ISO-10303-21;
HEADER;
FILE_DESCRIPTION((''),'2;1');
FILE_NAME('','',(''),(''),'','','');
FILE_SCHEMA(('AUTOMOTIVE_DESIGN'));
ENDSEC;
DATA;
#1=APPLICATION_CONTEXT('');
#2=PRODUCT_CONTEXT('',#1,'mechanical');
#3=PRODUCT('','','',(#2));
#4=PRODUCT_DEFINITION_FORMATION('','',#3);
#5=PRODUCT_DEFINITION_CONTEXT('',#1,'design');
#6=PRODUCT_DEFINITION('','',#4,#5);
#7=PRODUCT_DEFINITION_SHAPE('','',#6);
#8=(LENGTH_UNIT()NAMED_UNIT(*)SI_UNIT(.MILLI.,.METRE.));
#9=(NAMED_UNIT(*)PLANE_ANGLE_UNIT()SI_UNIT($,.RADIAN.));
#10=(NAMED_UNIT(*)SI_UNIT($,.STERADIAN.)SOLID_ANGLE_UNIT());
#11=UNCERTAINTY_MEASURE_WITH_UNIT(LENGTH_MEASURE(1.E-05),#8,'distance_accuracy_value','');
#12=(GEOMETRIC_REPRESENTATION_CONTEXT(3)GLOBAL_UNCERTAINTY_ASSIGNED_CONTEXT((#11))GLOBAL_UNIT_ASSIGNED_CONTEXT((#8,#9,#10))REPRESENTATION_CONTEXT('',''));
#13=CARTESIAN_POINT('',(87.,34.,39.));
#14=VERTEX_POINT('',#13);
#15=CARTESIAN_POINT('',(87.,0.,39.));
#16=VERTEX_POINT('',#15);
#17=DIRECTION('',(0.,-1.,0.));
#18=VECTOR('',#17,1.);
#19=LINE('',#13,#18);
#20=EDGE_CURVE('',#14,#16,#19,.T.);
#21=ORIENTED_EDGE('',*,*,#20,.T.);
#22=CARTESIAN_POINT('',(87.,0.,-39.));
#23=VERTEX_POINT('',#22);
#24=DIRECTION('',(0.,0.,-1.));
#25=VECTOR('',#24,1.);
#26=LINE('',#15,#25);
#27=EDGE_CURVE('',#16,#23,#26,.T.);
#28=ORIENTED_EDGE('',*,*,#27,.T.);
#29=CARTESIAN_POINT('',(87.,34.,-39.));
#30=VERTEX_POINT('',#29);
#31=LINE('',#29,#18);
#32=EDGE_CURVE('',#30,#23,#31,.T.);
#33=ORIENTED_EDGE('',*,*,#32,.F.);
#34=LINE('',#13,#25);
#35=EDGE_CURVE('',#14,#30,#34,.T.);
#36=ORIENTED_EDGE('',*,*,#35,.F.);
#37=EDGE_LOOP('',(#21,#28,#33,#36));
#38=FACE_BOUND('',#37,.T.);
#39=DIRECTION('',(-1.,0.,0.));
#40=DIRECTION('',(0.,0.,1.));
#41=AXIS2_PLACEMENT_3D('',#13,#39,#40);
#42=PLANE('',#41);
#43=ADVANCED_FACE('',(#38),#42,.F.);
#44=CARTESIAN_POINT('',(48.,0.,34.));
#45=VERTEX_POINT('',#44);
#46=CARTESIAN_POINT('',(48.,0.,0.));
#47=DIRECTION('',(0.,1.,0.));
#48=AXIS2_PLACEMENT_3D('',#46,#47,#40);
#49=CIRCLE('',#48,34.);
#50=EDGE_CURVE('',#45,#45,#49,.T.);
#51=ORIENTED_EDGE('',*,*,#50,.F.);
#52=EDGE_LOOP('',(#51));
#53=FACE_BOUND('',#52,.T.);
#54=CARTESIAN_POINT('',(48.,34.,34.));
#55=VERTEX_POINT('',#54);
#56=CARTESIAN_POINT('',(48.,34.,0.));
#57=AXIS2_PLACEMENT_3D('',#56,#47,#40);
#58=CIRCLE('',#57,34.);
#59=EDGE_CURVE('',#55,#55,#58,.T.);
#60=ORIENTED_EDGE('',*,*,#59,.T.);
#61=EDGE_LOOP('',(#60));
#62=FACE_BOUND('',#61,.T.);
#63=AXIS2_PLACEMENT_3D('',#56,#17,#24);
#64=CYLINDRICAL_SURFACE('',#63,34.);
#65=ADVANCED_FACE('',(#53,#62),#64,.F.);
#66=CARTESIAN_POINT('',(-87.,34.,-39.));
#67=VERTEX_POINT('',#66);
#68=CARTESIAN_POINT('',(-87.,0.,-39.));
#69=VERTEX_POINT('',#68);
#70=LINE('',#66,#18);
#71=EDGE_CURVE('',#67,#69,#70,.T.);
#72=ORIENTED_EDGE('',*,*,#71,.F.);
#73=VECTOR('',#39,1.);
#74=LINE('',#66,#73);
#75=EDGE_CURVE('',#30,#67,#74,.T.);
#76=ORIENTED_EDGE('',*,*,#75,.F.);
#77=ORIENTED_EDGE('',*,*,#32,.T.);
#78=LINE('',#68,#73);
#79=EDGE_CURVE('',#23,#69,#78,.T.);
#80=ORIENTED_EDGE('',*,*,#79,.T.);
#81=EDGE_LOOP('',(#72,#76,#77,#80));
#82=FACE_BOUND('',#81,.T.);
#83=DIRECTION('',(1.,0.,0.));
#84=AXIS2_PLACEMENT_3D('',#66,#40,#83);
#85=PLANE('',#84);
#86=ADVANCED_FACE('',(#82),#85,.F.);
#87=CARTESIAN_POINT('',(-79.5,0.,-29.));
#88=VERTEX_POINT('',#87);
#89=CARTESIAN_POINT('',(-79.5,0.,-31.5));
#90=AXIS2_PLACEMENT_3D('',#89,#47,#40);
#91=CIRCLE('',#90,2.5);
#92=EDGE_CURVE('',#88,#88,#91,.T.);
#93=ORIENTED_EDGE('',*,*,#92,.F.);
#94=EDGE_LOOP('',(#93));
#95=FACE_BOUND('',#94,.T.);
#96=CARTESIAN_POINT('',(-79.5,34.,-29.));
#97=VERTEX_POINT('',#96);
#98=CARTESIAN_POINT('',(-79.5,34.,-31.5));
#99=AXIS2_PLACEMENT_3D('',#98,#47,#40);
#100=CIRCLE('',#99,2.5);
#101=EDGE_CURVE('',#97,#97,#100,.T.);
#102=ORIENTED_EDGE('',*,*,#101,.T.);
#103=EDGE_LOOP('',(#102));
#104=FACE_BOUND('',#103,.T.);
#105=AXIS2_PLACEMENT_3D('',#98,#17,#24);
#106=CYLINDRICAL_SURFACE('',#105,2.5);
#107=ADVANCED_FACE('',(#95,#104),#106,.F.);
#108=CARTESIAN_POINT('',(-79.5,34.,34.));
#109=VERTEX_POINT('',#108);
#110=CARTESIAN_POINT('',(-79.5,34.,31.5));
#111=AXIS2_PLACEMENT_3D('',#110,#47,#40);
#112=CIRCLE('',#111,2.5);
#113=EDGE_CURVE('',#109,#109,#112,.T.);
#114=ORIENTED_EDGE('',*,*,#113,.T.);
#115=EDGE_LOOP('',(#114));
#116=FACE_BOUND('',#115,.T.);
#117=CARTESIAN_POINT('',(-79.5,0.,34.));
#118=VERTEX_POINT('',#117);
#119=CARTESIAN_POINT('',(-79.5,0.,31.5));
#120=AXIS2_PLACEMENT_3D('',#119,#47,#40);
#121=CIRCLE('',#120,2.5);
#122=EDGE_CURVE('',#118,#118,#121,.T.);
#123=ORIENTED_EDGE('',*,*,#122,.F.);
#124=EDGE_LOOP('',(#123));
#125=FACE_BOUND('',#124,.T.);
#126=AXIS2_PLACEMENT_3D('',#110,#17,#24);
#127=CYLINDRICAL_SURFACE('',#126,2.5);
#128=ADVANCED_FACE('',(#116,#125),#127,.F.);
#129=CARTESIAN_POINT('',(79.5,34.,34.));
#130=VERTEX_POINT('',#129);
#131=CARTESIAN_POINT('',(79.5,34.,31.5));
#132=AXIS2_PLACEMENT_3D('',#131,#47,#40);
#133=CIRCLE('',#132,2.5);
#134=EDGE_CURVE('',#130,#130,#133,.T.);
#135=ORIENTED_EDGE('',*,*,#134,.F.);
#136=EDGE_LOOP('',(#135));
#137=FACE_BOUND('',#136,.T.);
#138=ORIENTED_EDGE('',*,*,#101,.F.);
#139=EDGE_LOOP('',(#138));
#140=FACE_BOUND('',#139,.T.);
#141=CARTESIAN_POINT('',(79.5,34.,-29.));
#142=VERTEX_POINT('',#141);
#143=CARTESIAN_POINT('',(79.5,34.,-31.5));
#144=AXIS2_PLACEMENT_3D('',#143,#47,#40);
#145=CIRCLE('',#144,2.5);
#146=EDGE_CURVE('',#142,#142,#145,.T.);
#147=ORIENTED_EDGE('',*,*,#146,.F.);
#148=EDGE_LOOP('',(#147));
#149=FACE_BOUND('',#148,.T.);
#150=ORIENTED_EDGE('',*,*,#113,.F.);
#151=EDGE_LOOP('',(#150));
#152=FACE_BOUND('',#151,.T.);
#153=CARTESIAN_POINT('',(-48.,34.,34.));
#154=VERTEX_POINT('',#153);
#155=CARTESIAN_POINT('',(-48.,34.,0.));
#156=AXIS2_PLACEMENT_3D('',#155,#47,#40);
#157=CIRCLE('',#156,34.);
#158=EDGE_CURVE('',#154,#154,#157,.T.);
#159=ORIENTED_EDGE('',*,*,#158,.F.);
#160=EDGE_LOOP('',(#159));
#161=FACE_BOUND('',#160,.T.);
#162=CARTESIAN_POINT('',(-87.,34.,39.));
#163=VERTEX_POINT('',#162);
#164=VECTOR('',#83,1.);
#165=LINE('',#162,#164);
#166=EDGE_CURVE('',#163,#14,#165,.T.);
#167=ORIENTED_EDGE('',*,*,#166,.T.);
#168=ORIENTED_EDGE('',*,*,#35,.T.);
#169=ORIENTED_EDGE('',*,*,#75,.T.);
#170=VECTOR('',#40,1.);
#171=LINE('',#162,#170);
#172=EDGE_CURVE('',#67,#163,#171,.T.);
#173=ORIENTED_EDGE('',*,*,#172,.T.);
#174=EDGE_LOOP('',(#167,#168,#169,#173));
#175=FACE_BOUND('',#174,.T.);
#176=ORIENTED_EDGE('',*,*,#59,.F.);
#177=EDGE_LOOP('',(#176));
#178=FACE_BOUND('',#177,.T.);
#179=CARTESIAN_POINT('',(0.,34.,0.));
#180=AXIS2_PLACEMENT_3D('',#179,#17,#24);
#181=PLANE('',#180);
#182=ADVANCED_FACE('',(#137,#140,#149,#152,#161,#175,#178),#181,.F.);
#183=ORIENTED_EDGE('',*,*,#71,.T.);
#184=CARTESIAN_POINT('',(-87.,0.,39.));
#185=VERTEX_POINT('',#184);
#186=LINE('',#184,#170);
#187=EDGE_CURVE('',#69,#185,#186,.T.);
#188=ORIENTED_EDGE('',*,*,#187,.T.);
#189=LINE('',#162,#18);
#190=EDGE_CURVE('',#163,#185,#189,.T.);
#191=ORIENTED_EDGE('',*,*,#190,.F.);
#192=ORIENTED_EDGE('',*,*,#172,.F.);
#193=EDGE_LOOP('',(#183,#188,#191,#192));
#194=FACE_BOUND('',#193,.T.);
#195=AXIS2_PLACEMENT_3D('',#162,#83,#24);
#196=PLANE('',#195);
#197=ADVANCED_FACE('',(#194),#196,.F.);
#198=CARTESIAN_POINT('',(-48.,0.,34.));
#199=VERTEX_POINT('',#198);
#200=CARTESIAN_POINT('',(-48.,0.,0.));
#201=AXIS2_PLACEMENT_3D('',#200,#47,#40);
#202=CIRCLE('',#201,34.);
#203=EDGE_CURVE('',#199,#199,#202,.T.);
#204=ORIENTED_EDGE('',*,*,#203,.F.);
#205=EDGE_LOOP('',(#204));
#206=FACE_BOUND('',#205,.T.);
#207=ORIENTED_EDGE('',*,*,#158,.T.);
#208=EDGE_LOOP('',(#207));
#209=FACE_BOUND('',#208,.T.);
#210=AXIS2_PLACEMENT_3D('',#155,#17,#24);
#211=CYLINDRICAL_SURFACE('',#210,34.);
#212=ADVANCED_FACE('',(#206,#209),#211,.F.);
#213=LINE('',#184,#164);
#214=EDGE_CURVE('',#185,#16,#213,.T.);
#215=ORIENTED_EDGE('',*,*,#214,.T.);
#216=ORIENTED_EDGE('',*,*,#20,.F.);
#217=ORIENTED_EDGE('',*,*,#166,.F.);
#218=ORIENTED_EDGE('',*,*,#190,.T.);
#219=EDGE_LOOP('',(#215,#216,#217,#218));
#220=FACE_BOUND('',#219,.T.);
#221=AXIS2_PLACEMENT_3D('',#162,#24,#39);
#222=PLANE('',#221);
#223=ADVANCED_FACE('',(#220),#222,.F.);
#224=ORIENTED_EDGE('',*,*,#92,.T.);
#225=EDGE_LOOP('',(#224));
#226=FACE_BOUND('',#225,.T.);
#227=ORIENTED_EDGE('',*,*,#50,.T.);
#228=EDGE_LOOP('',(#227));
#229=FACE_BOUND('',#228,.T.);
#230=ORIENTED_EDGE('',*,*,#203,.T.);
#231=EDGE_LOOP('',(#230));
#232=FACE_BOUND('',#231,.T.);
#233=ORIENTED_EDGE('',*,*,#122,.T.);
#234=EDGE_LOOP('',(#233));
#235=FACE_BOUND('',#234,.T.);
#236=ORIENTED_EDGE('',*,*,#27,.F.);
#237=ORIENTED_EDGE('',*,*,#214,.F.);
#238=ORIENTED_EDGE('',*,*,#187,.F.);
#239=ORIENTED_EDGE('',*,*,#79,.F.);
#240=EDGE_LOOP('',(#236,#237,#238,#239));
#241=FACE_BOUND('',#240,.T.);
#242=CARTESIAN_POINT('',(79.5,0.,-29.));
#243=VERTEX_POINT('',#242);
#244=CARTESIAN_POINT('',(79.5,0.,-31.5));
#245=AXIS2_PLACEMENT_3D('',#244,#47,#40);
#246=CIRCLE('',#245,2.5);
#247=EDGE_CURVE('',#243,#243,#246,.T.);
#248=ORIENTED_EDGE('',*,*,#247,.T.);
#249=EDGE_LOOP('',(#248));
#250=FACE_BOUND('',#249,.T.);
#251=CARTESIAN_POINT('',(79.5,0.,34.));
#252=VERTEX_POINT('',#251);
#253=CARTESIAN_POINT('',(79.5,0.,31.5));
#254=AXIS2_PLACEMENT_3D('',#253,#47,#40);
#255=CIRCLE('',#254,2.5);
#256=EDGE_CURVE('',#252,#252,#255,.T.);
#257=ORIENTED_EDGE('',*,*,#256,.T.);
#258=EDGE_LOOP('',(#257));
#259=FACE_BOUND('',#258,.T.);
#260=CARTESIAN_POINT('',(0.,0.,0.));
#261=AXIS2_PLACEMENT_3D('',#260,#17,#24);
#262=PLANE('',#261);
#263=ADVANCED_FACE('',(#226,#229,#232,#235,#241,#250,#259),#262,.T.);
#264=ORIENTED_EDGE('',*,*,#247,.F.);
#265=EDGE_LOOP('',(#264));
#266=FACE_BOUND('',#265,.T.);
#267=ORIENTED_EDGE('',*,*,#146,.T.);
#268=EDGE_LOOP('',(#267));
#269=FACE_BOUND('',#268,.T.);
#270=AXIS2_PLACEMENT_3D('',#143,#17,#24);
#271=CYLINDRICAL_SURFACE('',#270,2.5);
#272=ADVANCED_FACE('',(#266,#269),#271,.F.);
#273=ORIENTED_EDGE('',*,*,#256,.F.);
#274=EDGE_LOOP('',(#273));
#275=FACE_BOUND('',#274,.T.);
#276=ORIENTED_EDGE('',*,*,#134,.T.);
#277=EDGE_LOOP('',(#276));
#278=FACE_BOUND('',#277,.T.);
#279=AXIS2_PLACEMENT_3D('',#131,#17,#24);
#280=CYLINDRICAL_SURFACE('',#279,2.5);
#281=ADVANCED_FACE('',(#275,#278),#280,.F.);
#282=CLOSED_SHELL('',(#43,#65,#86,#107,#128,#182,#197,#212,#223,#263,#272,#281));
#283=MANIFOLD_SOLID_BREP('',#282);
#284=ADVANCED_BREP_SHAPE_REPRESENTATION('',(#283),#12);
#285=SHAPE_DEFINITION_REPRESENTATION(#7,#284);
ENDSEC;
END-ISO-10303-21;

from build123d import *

# Parameters (mm, degrees)
SKETCH1_W           = 174
SKETCH1_H           = 78
SKETCH1_R           = 34
SKETCH1_R_2         = 2.5
BOSS_EXTRUDE1_DEPTH = 34


with BuildPart() as part:
    # Sketch1 → Boss-Extrude1 (new body)
    with BuildSketch(Plane(origin=(0, 0, 0), x_dir=(1, 0, 0), z_dir=(0, 1, 0))):
        Rectangle(SKETCH1_W, SKETCH1_H)
        with Locations(Location((48, 0, 0), (0, 0, 270))):
            Circle(SKETCH1_R, mode=Mode.SUBTRACT)
        with Locations(Location((-48, 0, 0), (0, 0, 270))):
            Circle(SKETCH1_R, mode=Mode.SUBTRACT)
        with Locations(Location((-79.5, 31.5, 0), (0, 0, 270))):
            Circle(SKETCH1_R_2, mode=Mode.SUBTRACT)
        with Locations(Location((-79.5, -31.5, 0), (0, 0, 270))):
            Circle(SKETCH1_R_2, mode=Mode.SUBTRACT)
        with Locations(Location((79.5, -31.5, 0), (0, 0, 270))):
            Circle(SKETCH1_R_2, mode=Mode.SUBTRACT)
        with Locations(Location((79.5, 31.5, 0), (0, 0, 270))):
            Circle(SKETCH1_R_2, mode=Mode.SUBTRACT)
    extrude(amount=BOSS_EXTRUDE1_DEPTH)


solid = part.part
